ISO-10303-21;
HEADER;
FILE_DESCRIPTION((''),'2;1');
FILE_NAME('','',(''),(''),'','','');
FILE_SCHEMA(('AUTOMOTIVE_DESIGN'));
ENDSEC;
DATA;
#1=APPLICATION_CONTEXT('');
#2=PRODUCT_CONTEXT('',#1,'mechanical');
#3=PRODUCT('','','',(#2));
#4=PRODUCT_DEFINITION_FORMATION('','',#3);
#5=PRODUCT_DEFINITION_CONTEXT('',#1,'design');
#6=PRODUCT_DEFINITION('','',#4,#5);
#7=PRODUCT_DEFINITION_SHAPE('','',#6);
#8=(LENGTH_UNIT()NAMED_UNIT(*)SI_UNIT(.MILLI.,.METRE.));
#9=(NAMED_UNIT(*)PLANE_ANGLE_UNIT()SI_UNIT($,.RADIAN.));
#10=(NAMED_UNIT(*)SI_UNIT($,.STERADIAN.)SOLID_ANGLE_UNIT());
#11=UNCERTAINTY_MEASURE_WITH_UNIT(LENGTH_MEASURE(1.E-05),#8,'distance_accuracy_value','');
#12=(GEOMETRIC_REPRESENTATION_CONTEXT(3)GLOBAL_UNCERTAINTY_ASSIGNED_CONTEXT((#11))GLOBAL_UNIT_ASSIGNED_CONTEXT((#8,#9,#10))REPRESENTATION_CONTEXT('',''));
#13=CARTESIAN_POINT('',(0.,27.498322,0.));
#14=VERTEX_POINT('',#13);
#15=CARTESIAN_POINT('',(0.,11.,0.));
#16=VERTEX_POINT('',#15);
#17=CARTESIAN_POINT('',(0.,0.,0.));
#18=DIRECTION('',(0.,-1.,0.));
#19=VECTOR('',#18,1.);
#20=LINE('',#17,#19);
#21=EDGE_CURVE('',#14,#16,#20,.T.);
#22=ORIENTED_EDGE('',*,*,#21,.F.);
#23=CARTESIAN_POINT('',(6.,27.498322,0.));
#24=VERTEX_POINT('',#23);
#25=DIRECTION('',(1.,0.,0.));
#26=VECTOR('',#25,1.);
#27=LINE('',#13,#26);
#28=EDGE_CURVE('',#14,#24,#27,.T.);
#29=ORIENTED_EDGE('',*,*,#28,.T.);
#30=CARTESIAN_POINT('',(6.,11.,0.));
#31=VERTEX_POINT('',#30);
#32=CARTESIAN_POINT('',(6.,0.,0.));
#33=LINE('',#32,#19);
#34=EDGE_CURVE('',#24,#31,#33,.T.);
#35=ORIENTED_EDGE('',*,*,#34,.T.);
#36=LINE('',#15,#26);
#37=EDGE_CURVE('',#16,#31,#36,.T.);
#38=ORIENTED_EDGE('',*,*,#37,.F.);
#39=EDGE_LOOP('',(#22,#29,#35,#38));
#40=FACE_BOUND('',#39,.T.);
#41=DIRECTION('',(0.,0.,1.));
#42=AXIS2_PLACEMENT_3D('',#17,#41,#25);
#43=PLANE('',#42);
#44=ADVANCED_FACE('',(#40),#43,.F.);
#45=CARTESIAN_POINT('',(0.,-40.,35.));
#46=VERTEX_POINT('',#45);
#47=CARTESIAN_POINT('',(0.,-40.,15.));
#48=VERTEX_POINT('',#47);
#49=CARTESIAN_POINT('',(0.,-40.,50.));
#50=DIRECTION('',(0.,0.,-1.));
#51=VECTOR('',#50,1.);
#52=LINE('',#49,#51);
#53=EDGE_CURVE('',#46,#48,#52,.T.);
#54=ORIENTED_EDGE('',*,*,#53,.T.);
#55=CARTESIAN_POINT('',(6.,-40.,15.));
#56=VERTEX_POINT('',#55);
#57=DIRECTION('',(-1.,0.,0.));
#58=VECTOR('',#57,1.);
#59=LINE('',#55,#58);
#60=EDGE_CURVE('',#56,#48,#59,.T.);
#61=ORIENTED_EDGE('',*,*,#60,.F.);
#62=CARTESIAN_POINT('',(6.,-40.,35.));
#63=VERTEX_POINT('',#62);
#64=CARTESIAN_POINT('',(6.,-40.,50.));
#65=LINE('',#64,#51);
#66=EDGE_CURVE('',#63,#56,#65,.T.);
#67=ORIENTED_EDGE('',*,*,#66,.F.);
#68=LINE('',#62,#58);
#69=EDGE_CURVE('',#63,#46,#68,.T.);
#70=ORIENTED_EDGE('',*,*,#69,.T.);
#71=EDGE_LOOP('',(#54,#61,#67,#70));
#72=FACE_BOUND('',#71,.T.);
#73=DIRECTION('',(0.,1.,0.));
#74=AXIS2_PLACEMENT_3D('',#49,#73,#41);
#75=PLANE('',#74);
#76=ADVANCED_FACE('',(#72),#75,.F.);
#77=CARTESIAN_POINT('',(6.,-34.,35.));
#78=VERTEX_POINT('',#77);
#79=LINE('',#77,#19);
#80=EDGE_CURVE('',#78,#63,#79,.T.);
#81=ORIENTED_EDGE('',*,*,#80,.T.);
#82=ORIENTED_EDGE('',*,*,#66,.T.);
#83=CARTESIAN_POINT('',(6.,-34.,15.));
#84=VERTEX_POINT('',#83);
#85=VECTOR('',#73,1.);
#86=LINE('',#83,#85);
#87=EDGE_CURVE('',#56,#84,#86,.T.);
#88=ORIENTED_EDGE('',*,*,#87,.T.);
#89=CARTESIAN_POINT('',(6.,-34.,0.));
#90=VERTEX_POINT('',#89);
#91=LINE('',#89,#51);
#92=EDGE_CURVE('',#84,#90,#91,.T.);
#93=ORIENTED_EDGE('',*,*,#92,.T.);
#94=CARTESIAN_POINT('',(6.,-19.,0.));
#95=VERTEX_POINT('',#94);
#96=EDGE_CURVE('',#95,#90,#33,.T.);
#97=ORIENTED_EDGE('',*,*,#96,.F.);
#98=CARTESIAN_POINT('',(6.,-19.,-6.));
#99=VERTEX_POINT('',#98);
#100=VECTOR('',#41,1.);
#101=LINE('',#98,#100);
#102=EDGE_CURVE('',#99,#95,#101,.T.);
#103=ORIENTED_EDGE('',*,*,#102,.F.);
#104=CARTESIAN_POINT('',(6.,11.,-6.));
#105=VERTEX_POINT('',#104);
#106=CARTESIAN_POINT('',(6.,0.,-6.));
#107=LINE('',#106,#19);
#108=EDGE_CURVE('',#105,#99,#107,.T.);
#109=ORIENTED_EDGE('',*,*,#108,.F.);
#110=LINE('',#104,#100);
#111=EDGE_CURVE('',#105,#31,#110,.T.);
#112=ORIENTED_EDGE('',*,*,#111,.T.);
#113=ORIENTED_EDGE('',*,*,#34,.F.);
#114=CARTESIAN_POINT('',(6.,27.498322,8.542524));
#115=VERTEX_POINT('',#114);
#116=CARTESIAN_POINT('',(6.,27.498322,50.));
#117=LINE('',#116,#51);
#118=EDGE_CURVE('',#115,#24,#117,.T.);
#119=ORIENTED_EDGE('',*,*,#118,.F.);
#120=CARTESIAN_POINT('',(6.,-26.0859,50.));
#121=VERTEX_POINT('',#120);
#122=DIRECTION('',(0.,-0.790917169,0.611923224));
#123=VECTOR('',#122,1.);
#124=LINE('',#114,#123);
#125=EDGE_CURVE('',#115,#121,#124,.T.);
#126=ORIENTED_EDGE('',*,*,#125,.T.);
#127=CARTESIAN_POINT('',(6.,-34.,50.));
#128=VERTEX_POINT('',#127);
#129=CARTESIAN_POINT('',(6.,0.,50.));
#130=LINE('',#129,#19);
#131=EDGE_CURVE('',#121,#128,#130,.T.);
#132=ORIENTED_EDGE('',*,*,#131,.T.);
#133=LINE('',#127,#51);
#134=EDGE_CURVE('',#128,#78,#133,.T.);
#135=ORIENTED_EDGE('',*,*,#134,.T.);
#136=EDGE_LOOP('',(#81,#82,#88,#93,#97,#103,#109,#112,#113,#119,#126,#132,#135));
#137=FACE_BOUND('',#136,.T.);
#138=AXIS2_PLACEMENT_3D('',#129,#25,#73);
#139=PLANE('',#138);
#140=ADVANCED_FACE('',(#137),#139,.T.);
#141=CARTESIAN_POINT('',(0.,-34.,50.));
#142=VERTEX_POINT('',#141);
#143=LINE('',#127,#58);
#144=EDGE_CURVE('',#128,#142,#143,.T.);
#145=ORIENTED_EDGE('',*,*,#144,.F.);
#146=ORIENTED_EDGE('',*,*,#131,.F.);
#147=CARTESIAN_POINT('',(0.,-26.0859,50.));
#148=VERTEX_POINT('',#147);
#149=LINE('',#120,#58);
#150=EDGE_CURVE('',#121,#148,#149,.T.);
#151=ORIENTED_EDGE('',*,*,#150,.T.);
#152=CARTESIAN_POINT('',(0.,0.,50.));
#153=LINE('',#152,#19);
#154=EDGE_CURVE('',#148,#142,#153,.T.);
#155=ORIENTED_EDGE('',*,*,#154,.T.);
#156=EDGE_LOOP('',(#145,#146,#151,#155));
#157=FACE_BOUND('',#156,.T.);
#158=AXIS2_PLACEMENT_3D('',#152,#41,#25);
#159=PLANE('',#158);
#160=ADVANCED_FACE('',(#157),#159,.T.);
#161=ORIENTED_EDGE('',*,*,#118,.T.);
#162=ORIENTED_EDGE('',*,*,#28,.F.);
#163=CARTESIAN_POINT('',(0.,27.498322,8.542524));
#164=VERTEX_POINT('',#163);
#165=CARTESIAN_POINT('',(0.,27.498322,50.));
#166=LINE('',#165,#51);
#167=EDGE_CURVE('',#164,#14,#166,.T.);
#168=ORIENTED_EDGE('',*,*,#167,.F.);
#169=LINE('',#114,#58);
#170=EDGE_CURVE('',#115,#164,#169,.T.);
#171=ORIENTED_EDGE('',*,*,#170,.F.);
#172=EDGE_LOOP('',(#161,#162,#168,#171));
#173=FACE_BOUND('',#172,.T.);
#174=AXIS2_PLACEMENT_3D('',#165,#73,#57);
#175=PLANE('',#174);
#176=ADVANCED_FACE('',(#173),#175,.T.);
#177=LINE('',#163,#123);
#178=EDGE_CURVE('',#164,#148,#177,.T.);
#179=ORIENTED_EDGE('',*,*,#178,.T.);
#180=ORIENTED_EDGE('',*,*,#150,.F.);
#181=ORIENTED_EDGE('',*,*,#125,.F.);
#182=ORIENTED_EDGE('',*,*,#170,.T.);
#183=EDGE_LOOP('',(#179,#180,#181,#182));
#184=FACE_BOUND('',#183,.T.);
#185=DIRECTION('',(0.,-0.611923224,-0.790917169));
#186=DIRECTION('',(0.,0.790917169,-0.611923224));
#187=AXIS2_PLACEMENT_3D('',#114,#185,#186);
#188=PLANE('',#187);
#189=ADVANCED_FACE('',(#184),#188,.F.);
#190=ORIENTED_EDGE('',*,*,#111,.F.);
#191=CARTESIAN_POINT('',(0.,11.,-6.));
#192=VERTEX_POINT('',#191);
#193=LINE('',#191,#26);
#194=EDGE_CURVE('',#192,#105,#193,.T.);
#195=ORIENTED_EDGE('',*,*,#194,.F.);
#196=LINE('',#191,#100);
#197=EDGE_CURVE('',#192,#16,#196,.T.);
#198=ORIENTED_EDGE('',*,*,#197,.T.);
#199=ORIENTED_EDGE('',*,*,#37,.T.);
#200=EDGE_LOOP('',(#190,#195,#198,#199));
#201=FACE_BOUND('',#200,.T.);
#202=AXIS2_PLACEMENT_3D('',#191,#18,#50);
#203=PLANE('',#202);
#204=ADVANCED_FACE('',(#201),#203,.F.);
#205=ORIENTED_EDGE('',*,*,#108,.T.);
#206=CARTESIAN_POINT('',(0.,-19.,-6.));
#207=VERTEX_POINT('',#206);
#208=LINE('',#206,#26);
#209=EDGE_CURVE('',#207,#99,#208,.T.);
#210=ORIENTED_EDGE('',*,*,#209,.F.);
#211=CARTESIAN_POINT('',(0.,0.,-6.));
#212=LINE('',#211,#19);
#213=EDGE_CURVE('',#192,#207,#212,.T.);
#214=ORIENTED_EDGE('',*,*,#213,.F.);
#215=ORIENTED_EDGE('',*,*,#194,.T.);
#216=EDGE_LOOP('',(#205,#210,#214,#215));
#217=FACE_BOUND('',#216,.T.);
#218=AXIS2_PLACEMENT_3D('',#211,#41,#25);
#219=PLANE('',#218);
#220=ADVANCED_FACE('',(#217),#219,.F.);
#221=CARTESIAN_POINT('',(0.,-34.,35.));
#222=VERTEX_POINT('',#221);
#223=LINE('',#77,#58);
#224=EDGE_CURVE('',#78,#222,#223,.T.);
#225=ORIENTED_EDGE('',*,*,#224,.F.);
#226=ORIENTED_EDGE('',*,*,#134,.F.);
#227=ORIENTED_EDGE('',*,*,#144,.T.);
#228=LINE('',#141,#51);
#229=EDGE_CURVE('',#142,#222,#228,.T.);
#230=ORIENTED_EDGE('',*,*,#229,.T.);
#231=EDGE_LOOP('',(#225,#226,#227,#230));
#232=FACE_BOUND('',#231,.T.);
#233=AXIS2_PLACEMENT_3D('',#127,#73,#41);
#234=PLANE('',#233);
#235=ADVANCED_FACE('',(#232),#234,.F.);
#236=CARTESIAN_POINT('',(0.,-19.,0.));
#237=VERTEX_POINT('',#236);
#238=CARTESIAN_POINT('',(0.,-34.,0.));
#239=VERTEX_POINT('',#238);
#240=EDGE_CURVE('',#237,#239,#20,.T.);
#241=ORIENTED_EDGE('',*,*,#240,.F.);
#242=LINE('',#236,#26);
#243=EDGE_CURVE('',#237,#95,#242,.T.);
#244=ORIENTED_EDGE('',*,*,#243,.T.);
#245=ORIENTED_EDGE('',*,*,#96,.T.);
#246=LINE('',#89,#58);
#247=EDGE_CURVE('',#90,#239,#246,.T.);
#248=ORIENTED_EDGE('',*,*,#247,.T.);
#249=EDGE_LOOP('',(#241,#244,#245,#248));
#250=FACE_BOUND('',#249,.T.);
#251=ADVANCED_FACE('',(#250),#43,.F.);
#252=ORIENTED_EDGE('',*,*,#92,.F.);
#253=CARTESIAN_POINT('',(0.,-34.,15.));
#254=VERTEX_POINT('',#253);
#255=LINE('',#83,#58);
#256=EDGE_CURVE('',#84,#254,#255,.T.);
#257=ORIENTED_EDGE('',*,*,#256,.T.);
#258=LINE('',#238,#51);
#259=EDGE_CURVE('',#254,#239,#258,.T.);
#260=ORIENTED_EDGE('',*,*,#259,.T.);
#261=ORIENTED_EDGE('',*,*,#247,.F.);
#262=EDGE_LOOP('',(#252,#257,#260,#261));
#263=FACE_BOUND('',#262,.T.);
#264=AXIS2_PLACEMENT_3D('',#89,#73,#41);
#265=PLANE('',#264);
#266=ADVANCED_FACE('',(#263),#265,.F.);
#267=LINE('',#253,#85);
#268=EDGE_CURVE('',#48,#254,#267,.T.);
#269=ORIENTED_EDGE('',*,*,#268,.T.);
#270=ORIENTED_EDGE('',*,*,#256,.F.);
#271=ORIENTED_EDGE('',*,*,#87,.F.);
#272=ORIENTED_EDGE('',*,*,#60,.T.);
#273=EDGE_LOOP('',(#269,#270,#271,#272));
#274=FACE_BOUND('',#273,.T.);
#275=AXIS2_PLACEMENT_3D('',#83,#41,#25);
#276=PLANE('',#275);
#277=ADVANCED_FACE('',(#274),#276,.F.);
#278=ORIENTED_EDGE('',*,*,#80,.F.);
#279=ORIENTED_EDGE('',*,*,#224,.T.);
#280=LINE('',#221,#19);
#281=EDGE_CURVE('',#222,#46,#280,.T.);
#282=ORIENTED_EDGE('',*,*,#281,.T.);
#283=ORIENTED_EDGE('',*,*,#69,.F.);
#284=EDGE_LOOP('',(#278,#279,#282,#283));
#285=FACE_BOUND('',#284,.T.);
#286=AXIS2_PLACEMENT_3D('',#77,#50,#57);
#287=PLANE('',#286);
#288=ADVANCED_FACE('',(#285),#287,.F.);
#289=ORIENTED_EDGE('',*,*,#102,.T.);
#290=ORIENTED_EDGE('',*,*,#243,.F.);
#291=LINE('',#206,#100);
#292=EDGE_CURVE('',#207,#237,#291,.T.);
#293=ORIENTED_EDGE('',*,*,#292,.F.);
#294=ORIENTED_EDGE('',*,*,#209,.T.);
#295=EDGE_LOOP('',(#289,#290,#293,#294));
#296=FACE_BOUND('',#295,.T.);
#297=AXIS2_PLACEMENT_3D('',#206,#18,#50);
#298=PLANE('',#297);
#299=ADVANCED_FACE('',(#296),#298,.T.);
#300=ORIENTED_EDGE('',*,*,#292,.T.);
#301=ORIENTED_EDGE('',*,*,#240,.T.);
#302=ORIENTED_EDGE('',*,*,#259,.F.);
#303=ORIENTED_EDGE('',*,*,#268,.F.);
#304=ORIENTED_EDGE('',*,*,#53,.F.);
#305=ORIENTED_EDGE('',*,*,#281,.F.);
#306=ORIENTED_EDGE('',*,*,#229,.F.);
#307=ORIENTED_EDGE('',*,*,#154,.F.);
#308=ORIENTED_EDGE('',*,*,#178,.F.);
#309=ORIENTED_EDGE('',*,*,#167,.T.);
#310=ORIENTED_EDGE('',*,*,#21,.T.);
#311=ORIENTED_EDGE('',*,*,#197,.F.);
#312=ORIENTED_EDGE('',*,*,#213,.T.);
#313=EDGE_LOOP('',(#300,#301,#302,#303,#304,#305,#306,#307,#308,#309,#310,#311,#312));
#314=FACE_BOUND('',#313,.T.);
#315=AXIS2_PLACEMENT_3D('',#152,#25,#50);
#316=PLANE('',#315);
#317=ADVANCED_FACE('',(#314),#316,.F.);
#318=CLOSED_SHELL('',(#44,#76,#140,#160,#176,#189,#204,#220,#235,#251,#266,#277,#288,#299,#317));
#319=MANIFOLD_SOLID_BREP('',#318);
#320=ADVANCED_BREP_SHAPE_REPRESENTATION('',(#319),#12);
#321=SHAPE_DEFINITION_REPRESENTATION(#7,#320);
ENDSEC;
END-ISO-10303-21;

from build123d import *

# Parameters (mm, degrees)
SKETCH1_W           = 6
SKETCH1_H           = 67.498322337
BOSS_EXTRUDE1_DEPTH = 50
SKETCH1_3_W         = 6
SKETCH1_3_H         = 30
BOSS_EXTRUDE2_DEPTH = 6
CUT_EXTRUDE1_DEPTH  = 6
CUT_EXTRUDE2_DEPTH  = 6


with BuildPart() as part:
    # Sketch1 → Boss-Extrude1 (new body)
    with BuildSketch(Plane.XY):
        with Locations((3, -6.250838831)):
            Rectangle(SKETCH1_W, SKETCH1_H)
    extrude(amount=BOSS_EXTRUDE1_DEPTH)

    # Sketch1<3> → Boss-Extrude2 (add)
    with BuildSketch(Plane.XY):
        with Locations((3, -4)):
            Rectangle(SKETCH1_3_W, SKETCH1_3_H)
    extrude(amount=-BOSS_EXTRUDE2_DEPTH)

    # Sketch2 → Cut-Extrude1 (cut)
    with BuildSketch(Plane.ZY):
        Polygon((0, -34), (15, -34), (15, -40), (35, -40), (35, -34), (50, -34), (50, -43.159116413), (0, -43.159116413), align=None)
    extrude(amount=-CUT_EXTRUDE1_DEPTH, mode=Mode.SUBTRACT)

    # Sketch3 → Cut-Extrude2 (cut)
    with BuildSketch(Plane.ZY):
        Polygon((8.542523628, 27.498322337), (50, -26.085899573), (50, 27.498322337), align=None)
    extrude(amount=-CUT_EXTRUDE2_DEPTH, mode=Mode.SUBTRACT)


solid = part.part
